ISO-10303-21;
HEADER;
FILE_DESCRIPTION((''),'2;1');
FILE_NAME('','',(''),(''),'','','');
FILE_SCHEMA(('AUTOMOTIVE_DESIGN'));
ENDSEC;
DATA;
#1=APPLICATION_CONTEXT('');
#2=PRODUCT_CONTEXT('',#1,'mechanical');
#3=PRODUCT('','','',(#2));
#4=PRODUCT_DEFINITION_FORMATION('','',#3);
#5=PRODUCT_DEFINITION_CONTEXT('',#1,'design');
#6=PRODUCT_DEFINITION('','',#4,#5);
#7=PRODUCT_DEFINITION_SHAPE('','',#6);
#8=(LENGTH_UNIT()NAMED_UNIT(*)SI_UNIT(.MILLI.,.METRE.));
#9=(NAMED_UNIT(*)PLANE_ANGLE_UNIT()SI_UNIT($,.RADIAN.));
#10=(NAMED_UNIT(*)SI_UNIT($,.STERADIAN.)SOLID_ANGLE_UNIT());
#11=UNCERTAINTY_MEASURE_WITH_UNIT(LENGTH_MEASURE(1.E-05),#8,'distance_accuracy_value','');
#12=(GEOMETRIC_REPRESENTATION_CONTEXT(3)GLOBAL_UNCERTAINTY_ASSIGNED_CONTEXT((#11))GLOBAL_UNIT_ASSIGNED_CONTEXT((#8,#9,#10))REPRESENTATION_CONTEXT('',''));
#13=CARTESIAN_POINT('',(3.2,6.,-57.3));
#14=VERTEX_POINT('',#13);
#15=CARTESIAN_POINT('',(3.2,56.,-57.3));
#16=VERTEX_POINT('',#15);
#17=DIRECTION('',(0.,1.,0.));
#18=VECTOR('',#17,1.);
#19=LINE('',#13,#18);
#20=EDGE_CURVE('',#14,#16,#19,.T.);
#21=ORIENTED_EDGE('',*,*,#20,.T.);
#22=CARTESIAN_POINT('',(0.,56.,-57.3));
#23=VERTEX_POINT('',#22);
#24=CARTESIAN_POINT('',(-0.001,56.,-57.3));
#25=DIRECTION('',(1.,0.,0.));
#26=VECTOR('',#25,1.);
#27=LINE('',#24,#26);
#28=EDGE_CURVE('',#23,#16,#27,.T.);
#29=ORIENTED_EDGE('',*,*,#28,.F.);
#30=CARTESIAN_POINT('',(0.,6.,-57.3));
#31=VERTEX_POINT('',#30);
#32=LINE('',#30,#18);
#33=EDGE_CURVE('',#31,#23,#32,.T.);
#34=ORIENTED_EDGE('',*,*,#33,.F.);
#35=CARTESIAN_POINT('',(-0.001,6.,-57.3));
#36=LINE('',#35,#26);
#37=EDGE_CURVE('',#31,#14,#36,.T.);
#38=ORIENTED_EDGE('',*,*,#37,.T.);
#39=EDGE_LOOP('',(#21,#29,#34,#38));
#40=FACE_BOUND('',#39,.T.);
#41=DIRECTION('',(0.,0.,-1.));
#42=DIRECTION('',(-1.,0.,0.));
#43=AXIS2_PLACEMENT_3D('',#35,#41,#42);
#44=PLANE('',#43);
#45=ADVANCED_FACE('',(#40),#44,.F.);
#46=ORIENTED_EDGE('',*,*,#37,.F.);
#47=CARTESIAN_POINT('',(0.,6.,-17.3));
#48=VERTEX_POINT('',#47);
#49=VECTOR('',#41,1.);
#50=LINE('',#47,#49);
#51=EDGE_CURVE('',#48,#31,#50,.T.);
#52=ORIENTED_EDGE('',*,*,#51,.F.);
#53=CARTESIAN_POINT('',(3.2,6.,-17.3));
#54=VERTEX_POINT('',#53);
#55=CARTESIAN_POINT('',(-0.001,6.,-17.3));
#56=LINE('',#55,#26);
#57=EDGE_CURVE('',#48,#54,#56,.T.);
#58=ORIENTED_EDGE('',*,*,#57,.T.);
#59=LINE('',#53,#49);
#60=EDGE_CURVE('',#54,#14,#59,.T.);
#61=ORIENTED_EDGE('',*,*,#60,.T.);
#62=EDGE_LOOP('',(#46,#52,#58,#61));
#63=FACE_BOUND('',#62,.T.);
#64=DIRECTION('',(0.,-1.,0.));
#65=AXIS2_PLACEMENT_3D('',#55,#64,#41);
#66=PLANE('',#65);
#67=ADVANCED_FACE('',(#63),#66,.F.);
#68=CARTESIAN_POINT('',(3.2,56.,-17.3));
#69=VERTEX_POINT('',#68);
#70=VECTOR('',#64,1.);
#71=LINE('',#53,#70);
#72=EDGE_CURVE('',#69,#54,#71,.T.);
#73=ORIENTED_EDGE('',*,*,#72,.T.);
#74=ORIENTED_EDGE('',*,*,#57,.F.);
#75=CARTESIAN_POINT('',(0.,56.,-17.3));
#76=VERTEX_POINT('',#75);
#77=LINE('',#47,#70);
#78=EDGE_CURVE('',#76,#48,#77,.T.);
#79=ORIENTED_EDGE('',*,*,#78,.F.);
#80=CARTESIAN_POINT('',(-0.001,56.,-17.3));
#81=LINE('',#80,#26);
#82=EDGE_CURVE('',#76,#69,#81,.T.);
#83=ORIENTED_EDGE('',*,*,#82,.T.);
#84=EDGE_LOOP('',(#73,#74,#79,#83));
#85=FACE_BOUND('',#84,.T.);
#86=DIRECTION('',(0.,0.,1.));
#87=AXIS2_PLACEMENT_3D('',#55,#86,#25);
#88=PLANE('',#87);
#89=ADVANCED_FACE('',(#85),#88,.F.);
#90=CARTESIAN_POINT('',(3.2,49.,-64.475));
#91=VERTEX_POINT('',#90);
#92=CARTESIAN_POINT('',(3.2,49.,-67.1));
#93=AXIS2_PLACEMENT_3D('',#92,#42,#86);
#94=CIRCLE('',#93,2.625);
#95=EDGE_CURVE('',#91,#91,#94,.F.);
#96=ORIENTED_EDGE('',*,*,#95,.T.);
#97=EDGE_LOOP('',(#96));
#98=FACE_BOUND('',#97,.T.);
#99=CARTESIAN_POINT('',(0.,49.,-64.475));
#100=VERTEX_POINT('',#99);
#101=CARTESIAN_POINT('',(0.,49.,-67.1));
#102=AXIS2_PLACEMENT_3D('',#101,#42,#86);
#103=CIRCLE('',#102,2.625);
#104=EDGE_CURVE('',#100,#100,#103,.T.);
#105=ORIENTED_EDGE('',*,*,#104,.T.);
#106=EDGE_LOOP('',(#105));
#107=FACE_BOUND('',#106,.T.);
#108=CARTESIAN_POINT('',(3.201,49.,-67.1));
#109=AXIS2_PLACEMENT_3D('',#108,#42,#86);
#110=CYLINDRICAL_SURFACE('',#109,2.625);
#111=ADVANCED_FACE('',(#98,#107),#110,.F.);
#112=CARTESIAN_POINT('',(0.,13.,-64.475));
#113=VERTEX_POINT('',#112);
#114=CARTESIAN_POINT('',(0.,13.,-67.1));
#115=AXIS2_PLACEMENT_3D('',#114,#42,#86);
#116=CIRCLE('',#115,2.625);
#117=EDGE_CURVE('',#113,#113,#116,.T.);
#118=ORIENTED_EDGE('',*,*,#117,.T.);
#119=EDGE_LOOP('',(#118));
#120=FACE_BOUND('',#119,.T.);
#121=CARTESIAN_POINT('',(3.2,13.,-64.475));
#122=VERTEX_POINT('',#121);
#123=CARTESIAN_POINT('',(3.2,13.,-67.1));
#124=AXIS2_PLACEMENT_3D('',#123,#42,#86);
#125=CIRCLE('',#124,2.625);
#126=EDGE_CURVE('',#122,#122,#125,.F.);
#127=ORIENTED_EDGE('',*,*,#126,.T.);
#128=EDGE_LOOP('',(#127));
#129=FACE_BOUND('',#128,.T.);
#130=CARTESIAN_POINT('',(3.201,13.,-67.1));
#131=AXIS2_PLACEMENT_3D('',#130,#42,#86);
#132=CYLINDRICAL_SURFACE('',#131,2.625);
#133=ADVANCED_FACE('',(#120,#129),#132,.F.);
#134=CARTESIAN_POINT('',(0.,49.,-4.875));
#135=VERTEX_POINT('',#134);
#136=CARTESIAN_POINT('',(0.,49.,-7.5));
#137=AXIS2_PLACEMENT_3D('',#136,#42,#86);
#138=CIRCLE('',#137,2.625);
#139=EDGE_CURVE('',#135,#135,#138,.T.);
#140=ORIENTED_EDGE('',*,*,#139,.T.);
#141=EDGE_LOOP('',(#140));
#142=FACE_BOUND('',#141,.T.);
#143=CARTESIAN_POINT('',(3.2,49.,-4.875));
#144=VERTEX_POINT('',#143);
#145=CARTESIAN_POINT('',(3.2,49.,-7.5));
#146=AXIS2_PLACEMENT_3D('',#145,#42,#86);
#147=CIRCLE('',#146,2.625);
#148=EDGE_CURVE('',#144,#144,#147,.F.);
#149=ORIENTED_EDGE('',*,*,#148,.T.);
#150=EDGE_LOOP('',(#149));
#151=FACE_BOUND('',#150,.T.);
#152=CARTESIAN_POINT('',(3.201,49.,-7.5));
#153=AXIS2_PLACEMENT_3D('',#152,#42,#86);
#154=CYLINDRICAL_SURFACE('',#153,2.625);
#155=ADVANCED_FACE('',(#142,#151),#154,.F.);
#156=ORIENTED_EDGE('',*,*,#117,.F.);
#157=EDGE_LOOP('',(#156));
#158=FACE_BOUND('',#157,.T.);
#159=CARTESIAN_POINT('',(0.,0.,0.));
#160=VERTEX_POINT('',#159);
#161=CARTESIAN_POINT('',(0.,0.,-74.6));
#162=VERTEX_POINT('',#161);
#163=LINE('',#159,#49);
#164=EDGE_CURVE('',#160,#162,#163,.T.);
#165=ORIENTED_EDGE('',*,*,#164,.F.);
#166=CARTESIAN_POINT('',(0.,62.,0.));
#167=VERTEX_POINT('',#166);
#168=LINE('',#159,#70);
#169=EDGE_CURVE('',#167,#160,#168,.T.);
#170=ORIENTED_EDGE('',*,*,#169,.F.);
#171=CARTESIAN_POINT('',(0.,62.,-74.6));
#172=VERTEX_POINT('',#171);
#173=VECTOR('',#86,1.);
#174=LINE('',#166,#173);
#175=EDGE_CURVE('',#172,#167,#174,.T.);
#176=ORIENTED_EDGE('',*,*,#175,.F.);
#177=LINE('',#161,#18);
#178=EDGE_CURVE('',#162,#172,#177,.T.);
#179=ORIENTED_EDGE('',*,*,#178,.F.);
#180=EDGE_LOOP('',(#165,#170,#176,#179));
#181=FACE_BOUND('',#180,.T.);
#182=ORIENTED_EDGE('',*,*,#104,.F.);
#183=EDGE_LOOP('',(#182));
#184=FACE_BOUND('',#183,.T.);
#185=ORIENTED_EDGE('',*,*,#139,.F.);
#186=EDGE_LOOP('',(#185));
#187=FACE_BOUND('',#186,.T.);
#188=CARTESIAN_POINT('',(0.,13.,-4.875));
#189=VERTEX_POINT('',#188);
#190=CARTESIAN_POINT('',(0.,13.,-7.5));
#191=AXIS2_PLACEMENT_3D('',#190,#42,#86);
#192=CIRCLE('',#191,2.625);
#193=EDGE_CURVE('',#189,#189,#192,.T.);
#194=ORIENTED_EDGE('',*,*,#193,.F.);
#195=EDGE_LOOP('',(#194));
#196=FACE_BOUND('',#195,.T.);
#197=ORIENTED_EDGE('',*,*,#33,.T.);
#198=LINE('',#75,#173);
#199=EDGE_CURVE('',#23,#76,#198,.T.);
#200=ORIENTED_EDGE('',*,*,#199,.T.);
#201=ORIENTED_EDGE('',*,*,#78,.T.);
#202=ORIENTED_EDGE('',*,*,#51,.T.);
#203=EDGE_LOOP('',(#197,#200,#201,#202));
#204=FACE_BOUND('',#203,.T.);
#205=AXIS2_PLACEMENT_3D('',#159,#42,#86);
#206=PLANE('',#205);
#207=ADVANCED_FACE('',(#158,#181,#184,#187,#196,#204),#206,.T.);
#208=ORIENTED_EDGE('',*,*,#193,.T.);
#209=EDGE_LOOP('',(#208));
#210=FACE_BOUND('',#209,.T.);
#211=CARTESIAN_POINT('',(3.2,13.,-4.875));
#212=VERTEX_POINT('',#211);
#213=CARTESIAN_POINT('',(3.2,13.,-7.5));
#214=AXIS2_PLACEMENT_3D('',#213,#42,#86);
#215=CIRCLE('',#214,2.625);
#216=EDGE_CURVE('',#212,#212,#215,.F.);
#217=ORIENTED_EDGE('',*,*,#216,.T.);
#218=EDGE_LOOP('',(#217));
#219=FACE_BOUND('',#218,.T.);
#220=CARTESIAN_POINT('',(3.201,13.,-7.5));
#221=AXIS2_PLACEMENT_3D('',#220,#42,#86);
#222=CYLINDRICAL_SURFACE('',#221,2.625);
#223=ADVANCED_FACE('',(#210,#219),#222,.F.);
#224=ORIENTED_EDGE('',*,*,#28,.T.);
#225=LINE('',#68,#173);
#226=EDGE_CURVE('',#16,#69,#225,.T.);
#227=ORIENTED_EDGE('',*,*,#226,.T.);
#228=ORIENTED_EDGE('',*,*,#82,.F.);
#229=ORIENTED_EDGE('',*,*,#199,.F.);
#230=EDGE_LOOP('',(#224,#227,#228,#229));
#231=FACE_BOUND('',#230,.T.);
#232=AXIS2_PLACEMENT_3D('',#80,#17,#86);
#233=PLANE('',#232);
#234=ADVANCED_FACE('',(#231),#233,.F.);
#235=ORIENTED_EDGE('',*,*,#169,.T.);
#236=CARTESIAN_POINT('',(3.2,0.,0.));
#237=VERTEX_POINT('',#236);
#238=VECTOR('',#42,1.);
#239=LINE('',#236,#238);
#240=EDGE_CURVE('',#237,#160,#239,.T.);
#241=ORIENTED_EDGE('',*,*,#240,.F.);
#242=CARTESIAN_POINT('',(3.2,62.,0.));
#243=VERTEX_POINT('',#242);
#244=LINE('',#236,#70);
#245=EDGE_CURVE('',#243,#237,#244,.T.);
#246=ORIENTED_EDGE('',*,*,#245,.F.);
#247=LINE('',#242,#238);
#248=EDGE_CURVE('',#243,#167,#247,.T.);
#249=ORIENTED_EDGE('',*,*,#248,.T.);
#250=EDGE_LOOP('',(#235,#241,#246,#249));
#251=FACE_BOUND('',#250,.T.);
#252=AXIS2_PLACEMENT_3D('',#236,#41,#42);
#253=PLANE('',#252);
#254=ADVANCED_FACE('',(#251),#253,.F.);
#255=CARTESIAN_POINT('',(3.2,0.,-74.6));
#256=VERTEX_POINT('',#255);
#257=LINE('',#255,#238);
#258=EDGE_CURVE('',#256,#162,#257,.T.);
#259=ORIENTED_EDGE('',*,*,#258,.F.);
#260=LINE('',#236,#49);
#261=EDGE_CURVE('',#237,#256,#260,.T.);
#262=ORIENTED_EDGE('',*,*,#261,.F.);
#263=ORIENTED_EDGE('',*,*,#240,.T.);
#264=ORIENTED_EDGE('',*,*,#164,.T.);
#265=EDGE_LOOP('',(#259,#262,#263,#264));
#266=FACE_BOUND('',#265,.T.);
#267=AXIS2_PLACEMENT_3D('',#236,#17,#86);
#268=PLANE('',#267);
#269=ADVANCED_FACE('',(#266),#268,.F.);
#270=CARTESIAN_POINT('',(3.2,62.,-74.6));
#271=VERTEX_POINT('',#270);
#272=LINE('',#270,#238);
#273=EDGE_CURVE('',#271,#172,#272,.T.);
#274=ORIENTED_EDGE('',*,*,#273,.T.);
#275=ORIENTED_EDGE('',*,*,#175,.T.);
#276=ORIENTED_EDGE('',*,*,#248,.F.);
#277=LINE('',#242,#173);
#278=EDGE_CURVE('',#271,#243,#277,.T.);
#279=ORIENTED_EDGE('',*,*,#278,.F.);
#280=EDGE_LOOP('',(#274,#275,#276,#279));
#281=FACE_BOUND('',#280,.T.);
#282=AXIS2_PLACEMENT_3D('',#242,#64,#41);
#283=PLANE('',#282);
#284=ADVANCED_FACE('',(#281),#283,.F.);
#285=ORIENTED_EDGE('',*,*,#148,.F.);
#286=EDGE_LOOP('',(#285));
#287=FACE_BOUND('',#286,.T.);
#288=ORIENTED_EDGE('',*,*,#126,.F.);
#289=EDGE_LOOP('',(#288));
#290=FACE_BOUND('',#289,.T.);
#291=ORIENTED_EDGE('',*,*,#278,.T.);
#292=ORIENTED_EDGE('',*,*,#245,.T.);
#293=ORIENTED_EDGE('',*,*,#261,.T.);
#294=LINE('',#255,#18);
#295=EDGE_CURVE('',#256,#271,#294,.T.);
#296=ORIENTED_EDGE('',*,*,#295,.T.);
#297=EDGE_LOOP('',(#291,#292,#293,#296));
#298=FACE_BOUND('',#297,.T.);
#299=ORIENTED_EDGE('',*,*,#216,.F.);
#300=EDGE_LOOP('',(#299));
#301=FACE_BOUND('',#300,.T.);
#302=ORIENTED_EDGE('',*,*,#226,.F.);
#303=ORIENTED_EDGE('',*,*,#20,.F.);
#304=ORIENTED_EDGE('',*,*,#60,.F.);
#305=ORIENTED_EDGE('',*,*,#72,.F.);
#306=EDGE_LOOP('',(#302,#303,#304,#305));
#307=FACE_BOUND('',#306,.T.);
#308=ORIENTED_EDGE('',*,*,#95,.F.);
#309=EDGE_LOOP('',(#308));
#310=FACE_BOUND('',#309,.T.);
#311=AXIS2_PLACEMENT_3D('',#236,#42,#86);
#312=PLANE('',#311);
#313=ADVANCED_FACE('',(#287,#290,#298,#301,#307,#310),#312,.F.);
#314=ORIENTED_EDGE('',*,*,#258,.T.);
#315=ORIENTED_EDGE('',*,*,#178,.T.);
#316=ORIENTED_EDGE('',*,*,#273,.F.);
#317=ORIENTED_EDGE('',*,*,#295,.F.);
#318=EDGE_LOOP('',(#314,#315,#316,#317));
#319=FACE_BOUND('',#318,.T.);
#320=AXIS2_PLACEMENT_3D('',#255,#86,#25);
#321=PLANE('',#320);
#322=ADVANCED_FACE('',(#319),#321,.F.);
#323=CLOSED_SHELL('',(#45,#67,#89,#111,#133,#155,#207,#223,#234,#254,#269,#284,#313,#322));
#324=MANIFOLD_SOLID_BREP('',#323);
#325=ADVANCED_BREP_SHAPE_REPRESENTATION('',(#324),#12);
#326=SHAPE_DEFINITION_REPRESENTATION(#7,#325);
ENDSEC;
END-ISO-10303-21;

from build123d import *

# Parameters (mm, degrees)
SKETCH1_W           = 74.6
SKETCH1_H           = 62
BOSS_EXTRUDE1_DEPTH = 3.2
CUT_EXTRUDE1_REACH  = 5.2
SKETCH2_W           = 40
SKETCH2_H           = 50
CUT_EXTRUDE2_REACH  = 5.2
SKETCH3_R           = 2.625


with BuildPart() as part:
    # Sketch1 → Boss-Extrude1 (new body)
    with BuildSketch(Plane(origin=(0, 0, 0), x_dir=(0, 0, -1), z_dir=(1, 0, 0))):
        with Locations((37.3, 31)):
            Rectangle(SKETCH1_W, SKETCH1_H)
    extrude(amount=BOSS_EXTRUDE1_DEPTH)

    # Sketch2 → Cut-Extrude1 (cut, up to next)
    with BuildSketch(Plane(origin=(3.2, 0, 0), x_dir=(0, 0, -1), z_dir=(1, 0, 0)), mode=Mode.PRIVATE) as cut_extrude1_sk1:
        with Locations((37.3, 31)):
            Rectangle(SKETCH2_W, SKETCH2_H)
    cut_extrude1_tool1 = extrude(cut_extrude1_sk1.sketch, amount=-CUT_EXTRUDE1_REACH, mode=Mode.PRIVATE) & part.part
    add(cut_extrude1_tool1.solids().sort_by_distance((3.2, 31, -37.3))[0], mode=Mode.SUBTRACT)

    # Sketch3 → Cut-Extrude2 (cut, up to next)
    with BuildSketch(Plane.ZY, mode=Mode.PRIVATE) as cut_extrude2_sk1:
        with Locations((-67.1, 13)):
            Circle(SKETCH3_R)
    cut_extrude2_tool1 = extrude(cut_extrude2_sk1.sketch, amount=-CUT_EXTRUDE2_REACH, mode=Mode.PRIVATE) & part.part
    add(cut_extrude2_tool1.solids().sort_by_distance((0, 13, -67.1))[0], mode=Mode.SUBTRACT)
    # Sketch3 → Cut-Extrude2 (cut, up to next)
    with BuildSketch(Plane.ZY, mode=Mode.PRIVATE) as cut_extrude2_sk2:
        with Locations((-67.1, 49)):
            Circle(SKETCH3_R)
    cut_extrude2_tool2 = extrude(cut_extrude2_sk2.sketch, amount=-CUT_EXTRUDE2_REACH, mode=Mode.PRIVATE) & part.part
    add(cut_extrude2_tool2.solids().sort_by_distance((0, 49, -67.1))[0], mode=Mode.SUBTRACT)
    # Sketch3 → Cut-Extrude2 (cut, up to next)
    with BuildSketch(Plane.ZY, mode=Mode.PRIVATE) as cut_extrude2_sk3:
        with Locations((-7.5, 49)):
            Circle(SKETCH3_R)
    cut_extrude2_tool3 = extrude(cut_extrude2_sk3.sketch, amount=-CUT_EXTRUDE2_REACH, mode=Mode.PRIVATE) & part.part
    add(cut_extrude2_tool3.solids().sort_by_distance((0, 49, -7.5))[0], mode=Mode.SUBTRACT)
    # Sketch3 → Cut-Extrude2 (cut, up to next)
    with BuildSketch(Plane.ZY, mode=Mode.PRIVATE) as cut_extrude2_sk4:
        with Locations((-7.5, 13)):
            Circle(SKETCH3_R)
    cut_extrude2_tool4 = extrude(cut_extrude2_sk4.sketch, amount=-CUT_EXTRUDE2_REACH, mode=Mode.PRIVATE) & part.part
    add(cut_extrude2_tool4.solids().sort_by_distance((0, 13, -7.5))[0], mode=Mode.SUBTRACT)


solid = part.part
